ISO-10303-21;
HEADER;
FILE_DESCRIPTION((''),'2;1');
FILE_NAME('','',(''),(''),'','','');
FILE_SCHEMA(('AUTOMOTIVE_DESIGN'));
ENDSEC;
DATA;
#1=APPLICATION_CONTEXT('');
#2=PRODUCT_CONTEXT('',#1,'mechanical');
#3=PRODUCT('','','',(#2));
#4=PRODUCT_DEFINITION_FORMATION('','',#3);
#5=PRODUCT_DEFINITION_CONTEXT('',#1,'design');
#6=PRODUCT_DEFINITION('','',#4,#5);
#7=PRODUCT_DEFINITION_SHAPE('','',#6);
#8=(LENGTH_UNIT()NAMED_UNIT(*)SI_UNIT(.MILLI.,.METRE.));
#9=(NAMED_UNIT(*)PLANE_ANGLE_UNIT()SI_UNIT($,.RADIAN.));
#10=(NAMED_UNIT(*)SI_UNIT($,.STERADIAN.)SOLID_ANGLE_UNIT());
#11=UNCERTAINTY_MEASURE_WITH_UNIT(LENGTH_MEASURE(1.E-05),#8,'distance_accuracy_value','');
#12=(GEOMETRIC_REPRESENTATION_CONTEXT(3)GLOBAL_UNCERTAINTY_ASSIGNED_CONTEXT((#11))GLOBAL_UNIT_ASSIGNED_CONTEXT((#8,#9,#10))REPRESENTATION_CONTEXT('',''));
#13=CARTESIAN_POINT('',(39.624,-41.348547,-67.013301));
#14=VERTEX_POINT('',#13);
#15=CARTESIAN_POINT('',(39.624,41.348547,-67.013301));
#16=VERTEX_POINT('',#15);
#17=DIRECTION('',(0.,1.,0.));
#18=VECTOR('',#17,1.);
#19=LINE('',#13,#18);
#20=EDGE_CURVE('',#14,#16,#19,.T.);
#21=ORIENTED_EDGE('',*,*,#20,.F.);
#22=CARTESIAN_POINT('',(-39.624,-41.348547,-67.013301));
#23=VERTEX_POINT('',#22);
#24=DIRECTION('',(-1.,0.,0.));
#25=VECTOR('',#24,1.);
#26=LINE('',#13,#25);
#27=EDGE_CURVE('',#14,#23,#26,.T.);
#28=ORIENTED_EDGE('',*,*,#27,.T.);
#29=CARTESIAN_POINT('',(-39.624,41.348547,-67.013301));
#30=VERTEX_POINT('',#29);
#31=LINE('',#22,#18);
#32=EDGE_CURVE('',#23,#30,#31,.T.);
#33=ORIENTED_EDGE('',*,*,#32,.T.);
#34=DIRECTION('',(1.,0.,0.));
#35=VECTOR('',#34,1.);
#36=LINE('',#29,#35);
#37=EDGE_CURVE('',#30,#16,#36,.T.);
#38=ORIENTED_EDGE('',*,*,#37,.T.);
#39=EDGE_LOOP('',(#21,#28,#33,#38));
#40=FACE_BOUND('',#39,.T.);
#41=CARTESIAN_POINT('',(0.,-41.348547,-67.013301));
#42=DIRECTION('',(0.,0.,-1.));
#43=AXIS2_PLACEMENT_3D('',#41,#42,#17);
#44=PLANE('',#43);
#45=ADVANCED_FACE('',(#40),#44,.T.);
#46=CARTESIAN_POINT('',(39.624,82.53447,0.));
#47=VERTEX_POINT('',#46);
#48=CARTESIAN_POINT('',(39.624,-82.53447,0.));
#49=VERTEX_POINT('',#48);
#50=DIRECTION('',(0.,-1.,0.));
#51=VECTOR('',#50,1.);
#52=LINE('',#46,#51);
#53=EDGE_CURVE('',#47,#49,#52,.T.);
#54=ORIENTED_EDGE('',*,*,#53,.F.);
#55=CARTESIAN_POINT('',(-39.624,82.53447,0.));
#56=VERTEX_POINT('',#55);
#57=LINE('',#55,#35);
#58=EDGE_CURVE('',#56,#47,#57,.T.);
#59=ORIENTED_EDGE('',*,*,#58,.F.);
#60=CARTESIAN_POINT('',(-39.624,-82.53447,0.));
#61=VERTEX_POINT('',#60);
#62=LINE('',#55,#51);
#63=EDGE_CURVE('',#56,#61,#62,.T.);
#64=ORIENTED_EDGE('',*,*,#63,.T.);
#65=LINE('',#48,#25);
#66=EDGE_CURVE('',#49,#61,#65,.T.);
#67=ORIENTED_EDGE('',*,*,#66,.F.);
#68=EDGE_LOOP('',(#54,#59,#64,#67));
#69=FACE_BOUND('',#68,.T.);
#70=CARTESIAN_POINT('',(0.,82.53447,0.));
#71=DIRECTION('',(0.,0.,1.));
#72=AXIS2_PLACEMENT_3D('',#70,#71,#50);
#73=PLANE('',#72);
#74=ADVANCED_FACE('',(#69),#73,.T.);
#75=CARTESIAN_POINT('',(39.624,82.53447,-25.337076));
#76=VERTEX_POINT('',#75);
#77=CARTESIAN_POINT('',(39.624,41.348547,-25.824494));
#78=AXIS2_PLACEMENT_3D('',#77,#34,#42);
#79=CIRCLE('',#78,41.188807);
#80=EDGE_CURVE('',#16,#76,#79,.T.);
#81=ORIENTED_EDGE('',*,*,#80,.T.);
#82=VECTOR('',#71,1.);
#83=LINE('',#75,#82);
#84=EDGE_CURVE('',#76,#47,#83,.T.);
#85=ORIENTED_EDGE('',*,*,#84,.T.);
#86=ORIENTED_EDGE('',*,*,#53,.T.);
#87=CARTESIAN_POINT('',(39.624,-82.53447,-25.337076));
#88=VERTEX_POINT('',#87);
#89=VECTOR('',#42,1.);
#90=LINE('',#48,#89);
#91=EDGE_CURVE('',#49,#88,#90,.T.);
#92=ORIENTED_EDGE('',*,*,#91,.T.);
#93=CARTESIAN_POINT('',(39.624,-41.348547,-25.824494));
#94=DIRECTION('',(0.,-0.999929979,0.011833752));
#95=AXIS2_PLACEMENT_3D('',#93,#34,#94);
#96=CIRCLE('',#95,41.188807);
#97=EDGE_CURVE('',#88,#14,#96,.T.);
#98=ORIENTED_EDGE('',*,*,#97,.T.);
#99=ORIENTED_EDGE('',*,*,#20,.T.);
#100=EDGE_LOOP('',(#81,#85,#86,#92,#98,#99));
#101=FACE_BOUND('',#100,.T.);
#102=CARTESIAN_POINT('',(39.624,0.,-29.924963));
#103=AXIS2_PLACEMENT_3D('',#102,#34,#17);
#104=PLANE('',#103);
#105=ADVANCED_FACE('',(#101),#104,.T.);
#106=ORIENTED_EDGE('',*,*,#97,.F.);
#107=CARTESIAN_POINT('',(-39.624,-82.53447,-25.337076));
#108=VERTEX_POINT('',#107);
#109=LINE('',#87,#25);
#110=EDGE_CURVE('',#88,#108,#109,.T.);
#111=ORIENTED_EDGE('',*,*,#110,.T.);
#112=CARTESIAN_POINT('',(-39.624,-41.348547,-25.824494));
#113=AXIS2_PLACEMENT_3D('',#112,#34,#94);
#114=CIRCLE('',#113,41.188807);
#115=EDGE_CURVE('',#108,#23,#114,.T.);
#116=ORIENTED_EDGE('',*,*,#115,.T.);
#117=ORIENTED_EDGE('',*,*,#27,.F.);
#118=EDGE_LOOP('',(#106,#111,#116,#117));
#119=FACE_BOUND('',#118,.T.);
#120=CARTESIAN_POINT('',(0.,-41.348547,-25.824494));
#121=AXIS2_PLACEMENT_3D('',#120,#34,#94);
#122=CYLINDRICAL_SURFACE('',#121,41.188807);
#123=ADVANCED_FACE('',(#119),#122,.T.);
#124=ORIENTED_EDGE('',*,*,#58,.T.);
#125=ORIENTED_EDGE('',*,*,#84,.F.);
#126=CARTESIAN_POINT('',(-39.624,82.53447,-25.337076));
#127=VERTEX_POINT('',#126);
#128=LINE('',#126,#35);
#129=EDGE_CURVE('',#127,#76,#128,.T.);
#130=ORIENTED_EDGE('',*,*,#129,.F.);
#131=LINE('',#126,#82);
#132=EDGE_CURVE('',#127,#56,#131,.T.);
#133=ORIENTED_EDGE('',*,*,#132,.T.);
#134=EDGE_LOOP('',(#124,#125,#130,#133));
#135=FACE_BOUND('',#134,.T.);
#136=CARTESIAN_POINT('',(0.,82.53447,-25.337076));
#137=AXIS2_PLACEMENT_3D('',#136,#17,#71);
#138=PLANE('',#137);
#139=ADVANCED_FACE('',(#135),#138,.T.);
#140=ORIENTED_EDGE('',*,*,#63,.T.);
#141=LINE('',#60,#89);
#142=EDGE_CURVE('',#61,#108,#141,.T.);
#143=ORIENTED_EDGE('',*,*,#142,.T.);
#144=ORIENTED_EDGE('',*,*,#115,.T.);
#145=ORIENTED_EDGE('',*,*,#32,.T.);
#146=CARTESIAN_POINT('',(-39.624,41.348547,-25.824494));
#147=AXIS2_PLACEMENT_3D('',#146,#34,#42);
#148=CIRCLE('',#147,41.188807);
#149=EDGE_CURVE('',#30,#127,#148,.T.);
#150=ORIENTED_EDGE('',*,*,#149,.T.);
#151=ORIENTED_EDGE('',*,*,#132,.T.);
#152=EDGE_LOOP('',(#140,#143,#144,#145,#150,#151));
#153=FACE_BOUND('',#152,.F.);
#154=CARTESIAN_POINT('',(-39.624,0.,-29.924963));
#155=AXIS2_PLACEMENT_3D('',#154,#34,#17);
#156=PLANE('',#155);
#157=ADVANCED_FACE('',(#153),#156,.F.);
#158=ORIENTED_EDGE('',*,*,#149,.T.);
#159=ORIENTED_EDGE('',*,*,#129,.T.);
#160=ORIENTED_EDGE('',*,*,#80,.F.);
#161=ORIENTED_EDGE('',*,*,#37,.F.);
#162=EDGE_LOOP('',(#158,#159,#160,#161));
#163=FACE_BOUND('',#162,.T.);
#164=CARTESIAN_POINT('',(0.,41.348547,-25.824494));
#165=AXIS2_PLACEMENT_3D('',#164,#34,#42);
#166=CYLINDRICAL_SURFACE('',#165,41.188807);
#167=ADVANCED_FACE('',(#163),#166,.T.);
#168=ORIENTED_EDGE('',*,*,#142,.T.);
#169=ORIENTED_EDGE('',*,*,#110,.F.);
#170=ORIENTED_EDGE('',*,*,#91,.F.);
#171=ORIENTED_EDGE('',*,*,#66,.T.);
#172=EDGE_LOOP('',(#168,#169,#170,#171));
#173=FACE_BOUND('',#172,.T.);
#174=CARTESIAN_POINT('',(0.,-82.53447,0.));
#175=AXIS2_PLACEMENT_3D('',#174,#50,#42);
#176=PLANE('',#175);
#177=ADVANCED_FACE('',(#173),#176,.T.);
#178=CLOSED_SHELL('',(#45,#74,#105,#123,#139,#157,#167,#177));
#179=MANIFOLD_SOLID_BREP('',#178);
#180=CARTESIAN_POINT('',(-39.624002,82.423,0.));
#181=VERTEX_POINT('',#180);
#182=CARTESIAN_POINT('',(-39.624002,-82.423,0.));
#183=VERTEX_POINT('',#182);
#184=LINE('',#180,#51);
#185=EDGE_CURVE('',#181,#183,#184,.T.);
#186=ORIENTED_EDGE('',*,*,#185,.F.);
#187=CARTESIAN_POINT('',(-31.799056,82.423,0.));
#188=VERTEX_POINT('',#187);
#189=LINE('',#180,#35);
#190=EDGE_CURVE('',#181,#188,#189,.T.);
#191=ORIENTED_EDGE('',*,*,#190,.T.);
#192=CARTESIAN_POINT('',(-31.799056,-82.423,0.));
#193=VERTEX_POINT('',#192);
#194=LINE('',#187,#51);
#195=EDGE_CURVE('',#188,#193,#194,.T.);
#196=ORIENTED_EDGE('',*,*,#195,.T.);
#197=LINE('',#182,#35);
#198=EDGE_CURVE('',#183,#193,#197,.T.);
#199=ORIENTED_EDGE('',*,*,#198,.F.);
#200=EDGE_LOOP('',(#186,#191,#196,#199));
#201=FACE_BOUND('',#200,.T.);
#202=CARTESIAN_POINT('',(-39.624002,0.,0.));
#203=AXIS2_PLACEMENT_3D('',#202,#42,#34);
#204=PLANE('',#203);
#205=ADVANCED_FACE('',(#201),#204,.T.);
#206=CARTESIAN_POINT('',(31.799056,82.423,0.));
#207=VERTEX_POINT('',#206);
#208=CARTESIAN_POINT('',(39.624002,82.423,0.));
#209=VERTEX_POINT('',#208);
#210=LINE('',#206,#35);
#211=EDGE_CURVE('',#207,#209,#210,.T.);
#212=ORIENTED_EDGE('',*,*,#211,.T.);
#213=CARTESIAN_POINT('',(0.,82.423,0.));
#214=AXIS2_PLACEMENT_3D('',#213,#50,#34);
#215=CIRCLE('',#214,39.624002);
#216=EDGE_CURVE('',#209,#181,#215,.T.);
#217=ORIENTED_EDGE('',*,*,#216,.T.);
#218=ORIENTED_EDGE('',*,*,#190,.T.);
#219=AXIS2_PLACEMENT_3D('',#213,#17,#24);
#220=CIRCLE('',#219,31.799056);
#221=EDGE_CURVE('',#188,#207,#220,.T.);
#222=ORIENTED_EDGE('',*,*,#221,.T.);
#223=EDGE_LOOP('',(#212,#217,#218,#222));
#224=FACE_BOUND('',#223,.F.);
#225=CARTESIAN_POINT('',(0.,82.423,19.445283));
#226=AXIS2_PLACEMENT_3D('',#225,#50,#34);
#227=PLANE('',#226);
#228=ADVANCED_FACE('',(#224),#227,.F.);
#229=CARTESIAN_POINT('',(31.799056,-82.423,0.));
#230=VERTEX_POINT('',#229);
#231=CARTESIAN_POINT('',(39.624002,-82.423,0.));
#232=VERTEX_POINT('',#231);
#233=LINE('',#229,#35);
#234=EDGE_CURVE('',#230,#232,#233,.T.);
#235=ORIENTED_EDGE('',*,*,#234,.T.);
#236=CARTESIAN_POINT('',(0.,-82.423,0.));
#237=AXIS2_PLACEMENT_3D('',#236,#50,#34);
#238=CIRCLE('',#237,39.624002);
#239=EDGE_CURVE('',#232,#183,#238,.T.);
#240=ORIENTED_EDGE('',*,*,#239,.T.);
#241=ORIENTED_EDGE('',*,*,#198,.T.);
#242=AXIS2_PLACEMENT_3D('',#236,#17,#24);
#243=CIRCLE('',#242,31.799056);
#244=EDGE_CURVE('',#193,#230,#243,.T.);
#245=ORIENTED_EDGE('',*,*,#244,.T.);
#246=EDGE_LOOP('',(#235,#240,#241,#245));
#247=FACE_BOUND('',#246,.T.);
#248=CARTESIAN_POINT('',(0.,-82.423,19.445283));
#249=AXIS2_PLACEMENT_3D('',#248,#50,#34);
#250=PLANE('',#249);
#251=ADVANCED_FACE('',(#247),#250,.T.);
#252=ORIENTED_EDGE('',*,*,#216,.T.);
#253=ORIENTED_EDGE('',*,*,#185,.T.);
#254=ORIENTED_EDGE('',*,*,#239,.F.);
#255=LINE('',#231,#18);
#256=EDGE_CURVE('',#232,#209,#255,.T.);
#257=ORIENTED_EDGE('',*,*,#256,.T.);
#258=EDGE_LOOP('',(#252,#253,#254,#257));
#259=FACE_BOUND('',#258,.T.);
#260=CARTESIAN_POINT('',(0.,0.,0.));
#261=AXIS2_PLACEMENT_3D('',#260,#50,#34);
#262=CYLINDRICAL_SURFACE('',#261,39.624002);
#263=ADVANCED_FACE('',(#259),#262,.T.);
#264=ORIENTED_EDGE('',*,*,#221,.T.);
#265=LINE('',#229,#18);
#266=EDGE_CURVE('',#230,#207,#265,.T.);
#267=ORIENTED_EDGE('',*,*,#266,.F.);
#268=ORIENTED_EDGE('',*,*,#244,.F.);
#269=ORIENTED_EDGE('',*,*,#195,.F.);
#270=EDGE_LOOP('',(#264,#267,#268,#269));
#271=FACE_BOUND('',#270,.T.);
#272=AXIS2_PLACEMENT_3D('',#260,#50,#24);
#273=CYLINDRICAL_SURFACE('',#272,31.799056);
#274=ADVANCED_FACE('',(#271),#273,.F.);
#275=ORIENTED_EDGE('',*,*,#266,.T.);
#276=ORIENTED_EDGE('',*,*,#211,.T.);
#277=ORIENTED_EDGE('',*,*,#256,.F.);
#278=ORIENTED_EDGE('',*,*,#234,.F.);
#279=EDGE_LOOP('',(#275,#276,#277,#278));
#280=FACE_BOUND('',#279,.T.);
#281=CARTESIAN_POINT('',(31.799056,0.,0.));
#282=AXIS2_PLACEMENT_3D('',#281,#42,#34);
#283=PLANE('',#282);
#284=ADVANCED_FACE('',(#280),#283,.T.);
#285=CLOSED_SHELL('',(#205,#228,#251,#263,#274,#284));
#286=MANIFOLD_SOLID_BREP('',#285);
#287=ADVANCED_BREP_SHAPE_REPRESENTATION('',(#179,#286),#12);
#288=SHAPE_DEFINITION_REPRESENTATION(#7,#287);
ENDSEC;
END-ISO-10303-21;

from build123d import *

# Parameters (mm, degrees)
F1_DEPTH      = 82.423
F1_DEPTH_BACK = 82.423
F3_DEPTH      = 39.624


with BuildPart() as f1:
    # F0 (on Front) → F1 (new body, two sides)
    with BuildSketch(Plane.XZ) as f1_sk:
        with BuildLine():
            Line((39.3192023039, 0), (39.6240018308, 0))
            ThreePointArc((39.6240018308, 0), (0, 39.6240018308), (-39.6240018308, 0))
            Line((-39.6240018308, 0), (-39.3191985786, 0))
            Line((-39.3191985786, 0), (-31.7990560208, 0))
            ThreePointArc((-31.7990560208, 0), (0, 31.7990560208), (31.7990560208, 0))
            Line((31.7990560208, 0), (39.3192023039, 0))
        make_face()
    extrude(amount=F1_DEPTH)
    extrude(f1_sk.sketch, amount=-F1_DEPTH_BACK)


with BuildPart() as f3:
    # F2 (on Right) → F3 (new body, symmetric)
    with BuildSketch(Plane.YZ):
        with BuildLine():
            Line((-41.3485467434, -67.0133009553), (0, -67.0133009553))
            Line((0, -67.0133009553), (41.3485467434, -67.0133009553))
            ThreePointArc((41.3485467434, -67.0133009553), (70.6452529952, -54.7765374968), (82.5344696641, -25.3370758146))
            Line((82.5344696641, -25.3370758146), (82.5344696641, 0))
            Line((82.5344696641, 0), (-82.5344696641, 0))
            Line((-82.5344696641, 0), (-82.5344696641, -25.3370758146))
            ThreePointArc((-82.5344696641, -25.3370758146), (-70.6452529952, -54.7765374968), (-41.3485467434, -67.0133009553))
        make_face()
    extrude(amount=F3_DEPTH, both=True)


solid = Compound([f1.part, f3.part])
